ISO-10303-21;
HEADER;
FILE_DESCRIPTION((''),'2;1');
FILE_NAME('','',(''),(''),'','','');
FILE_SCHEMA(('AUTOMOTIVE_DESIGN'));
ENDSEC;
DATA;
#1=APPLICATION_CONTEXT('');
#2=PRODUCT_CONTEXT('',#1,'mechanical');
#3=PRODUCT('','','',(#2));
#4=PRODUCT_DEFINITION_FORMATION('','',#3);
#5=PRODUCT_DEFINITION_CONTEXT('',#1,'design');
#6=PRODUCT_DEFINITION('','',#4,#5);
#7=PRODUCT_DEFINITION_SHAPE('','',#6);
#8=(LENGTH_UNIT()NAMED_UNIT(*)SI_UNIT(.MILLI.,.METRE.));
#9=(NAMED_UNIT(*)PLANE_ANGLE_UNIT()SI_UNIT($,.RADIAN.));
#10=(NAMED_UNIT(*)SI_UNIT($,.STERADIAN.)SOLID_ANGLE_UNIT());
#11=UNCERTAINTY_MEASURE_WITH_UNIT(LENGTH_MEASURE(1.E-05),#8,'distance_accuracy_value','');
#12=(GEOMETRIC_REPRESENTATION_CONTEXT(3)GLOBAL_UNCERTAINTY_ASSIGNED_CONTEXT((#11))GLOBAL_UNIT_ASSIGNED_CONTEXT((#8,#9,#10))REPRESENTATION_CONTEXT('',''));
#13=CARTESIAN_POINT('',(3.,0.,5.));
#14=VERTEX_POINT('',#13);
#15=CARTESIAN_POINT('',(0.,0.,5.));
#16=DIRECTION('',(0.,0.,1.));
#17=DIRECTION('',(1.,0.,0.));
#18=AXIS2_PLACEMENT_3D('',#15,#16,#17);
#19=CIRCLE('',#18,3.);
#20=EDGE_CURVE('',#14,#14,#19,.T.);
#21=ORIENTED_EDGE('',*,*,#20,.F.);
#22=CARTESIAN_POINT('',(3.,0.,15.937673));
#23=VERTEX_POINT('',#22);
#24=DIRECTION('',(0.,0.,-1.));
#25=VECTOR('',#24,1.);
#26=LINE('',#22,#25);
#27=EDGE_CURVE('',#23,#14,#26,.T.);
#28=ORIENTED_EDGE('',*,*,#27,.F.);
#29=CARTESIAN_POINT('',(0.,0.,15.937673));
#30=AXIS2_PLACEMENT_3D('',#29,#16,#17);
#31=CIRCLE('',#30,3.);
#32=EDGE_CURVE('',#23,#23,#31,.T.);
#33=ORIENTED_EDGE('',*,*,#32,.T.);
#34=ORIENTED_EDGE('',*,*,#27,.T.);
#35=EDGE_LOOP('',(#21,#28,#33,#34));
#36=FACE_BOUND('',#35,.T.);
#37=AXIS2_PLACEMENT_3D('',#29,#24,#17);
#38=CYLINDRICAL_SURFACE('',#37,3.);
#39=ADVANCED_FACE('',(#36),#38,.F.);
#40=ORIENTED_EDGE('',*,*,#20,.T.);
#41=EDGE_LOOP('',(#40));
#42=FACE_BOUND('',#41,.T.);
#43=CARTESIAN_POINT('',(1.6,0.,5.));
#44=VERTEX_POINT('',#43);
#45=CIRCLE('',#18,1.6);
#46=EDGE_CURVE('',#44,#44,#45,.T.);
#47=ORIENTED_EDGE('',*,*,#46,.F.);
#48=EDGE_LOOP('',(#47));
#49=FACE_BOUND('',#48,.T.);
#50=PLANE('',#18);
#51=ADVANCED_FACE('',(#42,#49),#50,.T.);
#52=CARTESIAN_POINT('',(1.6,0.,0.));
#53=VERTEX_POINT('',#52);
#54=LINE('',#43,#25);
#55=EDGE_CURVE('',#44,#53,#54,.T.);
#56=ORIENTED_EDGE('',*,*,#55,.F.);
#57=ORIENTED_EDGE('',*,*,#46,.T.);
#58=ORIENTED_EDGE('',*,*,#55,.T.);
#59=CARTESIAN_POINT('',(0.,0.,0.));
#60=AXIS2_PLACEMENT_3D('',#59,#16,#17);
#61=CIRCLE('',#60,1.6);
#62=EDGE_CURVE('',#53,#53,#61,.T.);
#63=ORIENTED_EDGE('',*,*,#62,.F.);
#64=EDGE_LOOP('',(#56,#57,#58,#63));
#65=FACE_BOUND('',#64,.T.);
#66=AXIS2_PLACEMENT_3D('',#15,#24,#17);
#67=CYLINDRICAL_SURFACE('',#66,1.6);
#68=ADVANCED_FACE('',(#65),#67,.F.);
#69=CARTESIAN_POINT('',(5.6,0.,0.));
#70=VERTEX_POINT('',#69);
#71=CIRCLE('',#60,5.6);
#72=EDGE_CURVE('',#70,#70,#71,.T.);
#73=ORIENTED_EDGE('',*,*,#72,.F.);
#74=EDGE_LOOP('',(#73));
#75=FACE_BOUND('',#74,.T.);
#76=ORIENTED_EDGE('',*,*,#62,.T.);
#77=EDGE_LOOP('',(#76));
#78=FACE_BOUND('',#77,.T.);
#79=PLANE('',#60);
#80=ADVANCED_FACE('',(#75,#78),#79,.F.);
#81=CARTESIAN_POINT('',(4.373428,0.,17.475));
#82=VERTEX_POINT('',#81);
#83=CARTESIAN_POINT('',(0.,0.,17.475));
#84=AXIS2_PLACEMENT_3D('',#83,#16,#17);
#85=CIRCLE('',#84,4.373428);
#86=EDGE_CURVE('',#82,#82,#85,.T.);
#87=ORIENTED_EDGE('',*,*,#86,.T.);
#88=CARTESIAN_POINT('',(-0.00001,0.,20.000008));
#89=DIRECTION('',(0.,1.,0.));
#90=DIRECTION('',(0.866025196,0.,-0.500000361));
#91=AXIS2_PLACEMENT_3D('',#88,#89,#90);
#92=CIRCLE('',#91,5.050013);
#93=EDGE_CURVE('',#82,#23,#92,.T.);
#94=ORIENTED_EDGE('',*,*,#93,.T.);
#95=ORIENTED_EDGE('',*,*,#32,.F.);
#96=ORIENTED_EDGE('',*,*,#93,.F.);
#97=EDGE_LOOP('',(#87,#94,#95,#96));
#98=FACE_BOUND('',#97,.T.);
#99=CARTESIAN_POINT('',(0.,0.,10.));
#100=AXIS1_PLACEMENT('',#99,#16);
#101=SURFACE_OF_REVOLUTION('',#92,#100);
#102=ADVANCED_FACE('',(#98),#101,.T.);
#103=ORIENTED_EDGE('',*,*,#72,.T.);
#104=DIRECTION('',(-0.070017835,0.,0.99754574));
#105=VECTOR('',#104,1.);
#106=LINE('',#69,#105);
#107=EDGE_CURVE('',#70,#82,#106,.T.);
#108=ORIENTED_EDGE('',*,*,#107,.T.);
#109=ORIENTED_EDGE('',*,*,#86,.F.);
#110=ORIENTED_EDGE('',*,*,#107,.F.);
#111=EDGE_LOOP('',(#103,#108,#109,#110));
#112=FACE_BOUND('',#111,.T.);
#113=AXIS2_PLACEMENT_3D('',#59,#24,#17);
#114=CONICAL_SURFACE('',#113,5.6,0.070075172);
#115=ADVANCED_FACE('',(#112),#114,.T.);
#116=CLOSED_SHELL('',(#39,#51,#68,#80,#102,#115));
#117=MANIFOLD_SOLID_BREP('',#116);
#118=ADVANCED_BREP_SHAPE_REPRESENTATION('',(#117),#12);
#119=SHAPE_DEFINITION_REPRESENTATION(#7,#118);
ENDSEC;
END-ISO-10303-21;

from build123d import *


with BuildPart() as f1:
    # F0 (on Front) → F1 (revolve)
    with BuildSketch(Plane.XZ):
        with BuildLine():
            Line((1.6, 5), (1.6, 0))
            Line((1.6, 0), (5.6, 0))
            Line((5.6, 0), (4.373428, 17.475))
            ThreePointArc((4.373428, 17.475), (3.765993, 16.63551), (3, 15.937673))
            Line((3, 15.937673), (3, 5))
            Line((3, 5), (1.6, 5))
        make_face()
    revolve(axis=Axis((0, 0, 10), (0, 0, 1)))


solid = f1.part
